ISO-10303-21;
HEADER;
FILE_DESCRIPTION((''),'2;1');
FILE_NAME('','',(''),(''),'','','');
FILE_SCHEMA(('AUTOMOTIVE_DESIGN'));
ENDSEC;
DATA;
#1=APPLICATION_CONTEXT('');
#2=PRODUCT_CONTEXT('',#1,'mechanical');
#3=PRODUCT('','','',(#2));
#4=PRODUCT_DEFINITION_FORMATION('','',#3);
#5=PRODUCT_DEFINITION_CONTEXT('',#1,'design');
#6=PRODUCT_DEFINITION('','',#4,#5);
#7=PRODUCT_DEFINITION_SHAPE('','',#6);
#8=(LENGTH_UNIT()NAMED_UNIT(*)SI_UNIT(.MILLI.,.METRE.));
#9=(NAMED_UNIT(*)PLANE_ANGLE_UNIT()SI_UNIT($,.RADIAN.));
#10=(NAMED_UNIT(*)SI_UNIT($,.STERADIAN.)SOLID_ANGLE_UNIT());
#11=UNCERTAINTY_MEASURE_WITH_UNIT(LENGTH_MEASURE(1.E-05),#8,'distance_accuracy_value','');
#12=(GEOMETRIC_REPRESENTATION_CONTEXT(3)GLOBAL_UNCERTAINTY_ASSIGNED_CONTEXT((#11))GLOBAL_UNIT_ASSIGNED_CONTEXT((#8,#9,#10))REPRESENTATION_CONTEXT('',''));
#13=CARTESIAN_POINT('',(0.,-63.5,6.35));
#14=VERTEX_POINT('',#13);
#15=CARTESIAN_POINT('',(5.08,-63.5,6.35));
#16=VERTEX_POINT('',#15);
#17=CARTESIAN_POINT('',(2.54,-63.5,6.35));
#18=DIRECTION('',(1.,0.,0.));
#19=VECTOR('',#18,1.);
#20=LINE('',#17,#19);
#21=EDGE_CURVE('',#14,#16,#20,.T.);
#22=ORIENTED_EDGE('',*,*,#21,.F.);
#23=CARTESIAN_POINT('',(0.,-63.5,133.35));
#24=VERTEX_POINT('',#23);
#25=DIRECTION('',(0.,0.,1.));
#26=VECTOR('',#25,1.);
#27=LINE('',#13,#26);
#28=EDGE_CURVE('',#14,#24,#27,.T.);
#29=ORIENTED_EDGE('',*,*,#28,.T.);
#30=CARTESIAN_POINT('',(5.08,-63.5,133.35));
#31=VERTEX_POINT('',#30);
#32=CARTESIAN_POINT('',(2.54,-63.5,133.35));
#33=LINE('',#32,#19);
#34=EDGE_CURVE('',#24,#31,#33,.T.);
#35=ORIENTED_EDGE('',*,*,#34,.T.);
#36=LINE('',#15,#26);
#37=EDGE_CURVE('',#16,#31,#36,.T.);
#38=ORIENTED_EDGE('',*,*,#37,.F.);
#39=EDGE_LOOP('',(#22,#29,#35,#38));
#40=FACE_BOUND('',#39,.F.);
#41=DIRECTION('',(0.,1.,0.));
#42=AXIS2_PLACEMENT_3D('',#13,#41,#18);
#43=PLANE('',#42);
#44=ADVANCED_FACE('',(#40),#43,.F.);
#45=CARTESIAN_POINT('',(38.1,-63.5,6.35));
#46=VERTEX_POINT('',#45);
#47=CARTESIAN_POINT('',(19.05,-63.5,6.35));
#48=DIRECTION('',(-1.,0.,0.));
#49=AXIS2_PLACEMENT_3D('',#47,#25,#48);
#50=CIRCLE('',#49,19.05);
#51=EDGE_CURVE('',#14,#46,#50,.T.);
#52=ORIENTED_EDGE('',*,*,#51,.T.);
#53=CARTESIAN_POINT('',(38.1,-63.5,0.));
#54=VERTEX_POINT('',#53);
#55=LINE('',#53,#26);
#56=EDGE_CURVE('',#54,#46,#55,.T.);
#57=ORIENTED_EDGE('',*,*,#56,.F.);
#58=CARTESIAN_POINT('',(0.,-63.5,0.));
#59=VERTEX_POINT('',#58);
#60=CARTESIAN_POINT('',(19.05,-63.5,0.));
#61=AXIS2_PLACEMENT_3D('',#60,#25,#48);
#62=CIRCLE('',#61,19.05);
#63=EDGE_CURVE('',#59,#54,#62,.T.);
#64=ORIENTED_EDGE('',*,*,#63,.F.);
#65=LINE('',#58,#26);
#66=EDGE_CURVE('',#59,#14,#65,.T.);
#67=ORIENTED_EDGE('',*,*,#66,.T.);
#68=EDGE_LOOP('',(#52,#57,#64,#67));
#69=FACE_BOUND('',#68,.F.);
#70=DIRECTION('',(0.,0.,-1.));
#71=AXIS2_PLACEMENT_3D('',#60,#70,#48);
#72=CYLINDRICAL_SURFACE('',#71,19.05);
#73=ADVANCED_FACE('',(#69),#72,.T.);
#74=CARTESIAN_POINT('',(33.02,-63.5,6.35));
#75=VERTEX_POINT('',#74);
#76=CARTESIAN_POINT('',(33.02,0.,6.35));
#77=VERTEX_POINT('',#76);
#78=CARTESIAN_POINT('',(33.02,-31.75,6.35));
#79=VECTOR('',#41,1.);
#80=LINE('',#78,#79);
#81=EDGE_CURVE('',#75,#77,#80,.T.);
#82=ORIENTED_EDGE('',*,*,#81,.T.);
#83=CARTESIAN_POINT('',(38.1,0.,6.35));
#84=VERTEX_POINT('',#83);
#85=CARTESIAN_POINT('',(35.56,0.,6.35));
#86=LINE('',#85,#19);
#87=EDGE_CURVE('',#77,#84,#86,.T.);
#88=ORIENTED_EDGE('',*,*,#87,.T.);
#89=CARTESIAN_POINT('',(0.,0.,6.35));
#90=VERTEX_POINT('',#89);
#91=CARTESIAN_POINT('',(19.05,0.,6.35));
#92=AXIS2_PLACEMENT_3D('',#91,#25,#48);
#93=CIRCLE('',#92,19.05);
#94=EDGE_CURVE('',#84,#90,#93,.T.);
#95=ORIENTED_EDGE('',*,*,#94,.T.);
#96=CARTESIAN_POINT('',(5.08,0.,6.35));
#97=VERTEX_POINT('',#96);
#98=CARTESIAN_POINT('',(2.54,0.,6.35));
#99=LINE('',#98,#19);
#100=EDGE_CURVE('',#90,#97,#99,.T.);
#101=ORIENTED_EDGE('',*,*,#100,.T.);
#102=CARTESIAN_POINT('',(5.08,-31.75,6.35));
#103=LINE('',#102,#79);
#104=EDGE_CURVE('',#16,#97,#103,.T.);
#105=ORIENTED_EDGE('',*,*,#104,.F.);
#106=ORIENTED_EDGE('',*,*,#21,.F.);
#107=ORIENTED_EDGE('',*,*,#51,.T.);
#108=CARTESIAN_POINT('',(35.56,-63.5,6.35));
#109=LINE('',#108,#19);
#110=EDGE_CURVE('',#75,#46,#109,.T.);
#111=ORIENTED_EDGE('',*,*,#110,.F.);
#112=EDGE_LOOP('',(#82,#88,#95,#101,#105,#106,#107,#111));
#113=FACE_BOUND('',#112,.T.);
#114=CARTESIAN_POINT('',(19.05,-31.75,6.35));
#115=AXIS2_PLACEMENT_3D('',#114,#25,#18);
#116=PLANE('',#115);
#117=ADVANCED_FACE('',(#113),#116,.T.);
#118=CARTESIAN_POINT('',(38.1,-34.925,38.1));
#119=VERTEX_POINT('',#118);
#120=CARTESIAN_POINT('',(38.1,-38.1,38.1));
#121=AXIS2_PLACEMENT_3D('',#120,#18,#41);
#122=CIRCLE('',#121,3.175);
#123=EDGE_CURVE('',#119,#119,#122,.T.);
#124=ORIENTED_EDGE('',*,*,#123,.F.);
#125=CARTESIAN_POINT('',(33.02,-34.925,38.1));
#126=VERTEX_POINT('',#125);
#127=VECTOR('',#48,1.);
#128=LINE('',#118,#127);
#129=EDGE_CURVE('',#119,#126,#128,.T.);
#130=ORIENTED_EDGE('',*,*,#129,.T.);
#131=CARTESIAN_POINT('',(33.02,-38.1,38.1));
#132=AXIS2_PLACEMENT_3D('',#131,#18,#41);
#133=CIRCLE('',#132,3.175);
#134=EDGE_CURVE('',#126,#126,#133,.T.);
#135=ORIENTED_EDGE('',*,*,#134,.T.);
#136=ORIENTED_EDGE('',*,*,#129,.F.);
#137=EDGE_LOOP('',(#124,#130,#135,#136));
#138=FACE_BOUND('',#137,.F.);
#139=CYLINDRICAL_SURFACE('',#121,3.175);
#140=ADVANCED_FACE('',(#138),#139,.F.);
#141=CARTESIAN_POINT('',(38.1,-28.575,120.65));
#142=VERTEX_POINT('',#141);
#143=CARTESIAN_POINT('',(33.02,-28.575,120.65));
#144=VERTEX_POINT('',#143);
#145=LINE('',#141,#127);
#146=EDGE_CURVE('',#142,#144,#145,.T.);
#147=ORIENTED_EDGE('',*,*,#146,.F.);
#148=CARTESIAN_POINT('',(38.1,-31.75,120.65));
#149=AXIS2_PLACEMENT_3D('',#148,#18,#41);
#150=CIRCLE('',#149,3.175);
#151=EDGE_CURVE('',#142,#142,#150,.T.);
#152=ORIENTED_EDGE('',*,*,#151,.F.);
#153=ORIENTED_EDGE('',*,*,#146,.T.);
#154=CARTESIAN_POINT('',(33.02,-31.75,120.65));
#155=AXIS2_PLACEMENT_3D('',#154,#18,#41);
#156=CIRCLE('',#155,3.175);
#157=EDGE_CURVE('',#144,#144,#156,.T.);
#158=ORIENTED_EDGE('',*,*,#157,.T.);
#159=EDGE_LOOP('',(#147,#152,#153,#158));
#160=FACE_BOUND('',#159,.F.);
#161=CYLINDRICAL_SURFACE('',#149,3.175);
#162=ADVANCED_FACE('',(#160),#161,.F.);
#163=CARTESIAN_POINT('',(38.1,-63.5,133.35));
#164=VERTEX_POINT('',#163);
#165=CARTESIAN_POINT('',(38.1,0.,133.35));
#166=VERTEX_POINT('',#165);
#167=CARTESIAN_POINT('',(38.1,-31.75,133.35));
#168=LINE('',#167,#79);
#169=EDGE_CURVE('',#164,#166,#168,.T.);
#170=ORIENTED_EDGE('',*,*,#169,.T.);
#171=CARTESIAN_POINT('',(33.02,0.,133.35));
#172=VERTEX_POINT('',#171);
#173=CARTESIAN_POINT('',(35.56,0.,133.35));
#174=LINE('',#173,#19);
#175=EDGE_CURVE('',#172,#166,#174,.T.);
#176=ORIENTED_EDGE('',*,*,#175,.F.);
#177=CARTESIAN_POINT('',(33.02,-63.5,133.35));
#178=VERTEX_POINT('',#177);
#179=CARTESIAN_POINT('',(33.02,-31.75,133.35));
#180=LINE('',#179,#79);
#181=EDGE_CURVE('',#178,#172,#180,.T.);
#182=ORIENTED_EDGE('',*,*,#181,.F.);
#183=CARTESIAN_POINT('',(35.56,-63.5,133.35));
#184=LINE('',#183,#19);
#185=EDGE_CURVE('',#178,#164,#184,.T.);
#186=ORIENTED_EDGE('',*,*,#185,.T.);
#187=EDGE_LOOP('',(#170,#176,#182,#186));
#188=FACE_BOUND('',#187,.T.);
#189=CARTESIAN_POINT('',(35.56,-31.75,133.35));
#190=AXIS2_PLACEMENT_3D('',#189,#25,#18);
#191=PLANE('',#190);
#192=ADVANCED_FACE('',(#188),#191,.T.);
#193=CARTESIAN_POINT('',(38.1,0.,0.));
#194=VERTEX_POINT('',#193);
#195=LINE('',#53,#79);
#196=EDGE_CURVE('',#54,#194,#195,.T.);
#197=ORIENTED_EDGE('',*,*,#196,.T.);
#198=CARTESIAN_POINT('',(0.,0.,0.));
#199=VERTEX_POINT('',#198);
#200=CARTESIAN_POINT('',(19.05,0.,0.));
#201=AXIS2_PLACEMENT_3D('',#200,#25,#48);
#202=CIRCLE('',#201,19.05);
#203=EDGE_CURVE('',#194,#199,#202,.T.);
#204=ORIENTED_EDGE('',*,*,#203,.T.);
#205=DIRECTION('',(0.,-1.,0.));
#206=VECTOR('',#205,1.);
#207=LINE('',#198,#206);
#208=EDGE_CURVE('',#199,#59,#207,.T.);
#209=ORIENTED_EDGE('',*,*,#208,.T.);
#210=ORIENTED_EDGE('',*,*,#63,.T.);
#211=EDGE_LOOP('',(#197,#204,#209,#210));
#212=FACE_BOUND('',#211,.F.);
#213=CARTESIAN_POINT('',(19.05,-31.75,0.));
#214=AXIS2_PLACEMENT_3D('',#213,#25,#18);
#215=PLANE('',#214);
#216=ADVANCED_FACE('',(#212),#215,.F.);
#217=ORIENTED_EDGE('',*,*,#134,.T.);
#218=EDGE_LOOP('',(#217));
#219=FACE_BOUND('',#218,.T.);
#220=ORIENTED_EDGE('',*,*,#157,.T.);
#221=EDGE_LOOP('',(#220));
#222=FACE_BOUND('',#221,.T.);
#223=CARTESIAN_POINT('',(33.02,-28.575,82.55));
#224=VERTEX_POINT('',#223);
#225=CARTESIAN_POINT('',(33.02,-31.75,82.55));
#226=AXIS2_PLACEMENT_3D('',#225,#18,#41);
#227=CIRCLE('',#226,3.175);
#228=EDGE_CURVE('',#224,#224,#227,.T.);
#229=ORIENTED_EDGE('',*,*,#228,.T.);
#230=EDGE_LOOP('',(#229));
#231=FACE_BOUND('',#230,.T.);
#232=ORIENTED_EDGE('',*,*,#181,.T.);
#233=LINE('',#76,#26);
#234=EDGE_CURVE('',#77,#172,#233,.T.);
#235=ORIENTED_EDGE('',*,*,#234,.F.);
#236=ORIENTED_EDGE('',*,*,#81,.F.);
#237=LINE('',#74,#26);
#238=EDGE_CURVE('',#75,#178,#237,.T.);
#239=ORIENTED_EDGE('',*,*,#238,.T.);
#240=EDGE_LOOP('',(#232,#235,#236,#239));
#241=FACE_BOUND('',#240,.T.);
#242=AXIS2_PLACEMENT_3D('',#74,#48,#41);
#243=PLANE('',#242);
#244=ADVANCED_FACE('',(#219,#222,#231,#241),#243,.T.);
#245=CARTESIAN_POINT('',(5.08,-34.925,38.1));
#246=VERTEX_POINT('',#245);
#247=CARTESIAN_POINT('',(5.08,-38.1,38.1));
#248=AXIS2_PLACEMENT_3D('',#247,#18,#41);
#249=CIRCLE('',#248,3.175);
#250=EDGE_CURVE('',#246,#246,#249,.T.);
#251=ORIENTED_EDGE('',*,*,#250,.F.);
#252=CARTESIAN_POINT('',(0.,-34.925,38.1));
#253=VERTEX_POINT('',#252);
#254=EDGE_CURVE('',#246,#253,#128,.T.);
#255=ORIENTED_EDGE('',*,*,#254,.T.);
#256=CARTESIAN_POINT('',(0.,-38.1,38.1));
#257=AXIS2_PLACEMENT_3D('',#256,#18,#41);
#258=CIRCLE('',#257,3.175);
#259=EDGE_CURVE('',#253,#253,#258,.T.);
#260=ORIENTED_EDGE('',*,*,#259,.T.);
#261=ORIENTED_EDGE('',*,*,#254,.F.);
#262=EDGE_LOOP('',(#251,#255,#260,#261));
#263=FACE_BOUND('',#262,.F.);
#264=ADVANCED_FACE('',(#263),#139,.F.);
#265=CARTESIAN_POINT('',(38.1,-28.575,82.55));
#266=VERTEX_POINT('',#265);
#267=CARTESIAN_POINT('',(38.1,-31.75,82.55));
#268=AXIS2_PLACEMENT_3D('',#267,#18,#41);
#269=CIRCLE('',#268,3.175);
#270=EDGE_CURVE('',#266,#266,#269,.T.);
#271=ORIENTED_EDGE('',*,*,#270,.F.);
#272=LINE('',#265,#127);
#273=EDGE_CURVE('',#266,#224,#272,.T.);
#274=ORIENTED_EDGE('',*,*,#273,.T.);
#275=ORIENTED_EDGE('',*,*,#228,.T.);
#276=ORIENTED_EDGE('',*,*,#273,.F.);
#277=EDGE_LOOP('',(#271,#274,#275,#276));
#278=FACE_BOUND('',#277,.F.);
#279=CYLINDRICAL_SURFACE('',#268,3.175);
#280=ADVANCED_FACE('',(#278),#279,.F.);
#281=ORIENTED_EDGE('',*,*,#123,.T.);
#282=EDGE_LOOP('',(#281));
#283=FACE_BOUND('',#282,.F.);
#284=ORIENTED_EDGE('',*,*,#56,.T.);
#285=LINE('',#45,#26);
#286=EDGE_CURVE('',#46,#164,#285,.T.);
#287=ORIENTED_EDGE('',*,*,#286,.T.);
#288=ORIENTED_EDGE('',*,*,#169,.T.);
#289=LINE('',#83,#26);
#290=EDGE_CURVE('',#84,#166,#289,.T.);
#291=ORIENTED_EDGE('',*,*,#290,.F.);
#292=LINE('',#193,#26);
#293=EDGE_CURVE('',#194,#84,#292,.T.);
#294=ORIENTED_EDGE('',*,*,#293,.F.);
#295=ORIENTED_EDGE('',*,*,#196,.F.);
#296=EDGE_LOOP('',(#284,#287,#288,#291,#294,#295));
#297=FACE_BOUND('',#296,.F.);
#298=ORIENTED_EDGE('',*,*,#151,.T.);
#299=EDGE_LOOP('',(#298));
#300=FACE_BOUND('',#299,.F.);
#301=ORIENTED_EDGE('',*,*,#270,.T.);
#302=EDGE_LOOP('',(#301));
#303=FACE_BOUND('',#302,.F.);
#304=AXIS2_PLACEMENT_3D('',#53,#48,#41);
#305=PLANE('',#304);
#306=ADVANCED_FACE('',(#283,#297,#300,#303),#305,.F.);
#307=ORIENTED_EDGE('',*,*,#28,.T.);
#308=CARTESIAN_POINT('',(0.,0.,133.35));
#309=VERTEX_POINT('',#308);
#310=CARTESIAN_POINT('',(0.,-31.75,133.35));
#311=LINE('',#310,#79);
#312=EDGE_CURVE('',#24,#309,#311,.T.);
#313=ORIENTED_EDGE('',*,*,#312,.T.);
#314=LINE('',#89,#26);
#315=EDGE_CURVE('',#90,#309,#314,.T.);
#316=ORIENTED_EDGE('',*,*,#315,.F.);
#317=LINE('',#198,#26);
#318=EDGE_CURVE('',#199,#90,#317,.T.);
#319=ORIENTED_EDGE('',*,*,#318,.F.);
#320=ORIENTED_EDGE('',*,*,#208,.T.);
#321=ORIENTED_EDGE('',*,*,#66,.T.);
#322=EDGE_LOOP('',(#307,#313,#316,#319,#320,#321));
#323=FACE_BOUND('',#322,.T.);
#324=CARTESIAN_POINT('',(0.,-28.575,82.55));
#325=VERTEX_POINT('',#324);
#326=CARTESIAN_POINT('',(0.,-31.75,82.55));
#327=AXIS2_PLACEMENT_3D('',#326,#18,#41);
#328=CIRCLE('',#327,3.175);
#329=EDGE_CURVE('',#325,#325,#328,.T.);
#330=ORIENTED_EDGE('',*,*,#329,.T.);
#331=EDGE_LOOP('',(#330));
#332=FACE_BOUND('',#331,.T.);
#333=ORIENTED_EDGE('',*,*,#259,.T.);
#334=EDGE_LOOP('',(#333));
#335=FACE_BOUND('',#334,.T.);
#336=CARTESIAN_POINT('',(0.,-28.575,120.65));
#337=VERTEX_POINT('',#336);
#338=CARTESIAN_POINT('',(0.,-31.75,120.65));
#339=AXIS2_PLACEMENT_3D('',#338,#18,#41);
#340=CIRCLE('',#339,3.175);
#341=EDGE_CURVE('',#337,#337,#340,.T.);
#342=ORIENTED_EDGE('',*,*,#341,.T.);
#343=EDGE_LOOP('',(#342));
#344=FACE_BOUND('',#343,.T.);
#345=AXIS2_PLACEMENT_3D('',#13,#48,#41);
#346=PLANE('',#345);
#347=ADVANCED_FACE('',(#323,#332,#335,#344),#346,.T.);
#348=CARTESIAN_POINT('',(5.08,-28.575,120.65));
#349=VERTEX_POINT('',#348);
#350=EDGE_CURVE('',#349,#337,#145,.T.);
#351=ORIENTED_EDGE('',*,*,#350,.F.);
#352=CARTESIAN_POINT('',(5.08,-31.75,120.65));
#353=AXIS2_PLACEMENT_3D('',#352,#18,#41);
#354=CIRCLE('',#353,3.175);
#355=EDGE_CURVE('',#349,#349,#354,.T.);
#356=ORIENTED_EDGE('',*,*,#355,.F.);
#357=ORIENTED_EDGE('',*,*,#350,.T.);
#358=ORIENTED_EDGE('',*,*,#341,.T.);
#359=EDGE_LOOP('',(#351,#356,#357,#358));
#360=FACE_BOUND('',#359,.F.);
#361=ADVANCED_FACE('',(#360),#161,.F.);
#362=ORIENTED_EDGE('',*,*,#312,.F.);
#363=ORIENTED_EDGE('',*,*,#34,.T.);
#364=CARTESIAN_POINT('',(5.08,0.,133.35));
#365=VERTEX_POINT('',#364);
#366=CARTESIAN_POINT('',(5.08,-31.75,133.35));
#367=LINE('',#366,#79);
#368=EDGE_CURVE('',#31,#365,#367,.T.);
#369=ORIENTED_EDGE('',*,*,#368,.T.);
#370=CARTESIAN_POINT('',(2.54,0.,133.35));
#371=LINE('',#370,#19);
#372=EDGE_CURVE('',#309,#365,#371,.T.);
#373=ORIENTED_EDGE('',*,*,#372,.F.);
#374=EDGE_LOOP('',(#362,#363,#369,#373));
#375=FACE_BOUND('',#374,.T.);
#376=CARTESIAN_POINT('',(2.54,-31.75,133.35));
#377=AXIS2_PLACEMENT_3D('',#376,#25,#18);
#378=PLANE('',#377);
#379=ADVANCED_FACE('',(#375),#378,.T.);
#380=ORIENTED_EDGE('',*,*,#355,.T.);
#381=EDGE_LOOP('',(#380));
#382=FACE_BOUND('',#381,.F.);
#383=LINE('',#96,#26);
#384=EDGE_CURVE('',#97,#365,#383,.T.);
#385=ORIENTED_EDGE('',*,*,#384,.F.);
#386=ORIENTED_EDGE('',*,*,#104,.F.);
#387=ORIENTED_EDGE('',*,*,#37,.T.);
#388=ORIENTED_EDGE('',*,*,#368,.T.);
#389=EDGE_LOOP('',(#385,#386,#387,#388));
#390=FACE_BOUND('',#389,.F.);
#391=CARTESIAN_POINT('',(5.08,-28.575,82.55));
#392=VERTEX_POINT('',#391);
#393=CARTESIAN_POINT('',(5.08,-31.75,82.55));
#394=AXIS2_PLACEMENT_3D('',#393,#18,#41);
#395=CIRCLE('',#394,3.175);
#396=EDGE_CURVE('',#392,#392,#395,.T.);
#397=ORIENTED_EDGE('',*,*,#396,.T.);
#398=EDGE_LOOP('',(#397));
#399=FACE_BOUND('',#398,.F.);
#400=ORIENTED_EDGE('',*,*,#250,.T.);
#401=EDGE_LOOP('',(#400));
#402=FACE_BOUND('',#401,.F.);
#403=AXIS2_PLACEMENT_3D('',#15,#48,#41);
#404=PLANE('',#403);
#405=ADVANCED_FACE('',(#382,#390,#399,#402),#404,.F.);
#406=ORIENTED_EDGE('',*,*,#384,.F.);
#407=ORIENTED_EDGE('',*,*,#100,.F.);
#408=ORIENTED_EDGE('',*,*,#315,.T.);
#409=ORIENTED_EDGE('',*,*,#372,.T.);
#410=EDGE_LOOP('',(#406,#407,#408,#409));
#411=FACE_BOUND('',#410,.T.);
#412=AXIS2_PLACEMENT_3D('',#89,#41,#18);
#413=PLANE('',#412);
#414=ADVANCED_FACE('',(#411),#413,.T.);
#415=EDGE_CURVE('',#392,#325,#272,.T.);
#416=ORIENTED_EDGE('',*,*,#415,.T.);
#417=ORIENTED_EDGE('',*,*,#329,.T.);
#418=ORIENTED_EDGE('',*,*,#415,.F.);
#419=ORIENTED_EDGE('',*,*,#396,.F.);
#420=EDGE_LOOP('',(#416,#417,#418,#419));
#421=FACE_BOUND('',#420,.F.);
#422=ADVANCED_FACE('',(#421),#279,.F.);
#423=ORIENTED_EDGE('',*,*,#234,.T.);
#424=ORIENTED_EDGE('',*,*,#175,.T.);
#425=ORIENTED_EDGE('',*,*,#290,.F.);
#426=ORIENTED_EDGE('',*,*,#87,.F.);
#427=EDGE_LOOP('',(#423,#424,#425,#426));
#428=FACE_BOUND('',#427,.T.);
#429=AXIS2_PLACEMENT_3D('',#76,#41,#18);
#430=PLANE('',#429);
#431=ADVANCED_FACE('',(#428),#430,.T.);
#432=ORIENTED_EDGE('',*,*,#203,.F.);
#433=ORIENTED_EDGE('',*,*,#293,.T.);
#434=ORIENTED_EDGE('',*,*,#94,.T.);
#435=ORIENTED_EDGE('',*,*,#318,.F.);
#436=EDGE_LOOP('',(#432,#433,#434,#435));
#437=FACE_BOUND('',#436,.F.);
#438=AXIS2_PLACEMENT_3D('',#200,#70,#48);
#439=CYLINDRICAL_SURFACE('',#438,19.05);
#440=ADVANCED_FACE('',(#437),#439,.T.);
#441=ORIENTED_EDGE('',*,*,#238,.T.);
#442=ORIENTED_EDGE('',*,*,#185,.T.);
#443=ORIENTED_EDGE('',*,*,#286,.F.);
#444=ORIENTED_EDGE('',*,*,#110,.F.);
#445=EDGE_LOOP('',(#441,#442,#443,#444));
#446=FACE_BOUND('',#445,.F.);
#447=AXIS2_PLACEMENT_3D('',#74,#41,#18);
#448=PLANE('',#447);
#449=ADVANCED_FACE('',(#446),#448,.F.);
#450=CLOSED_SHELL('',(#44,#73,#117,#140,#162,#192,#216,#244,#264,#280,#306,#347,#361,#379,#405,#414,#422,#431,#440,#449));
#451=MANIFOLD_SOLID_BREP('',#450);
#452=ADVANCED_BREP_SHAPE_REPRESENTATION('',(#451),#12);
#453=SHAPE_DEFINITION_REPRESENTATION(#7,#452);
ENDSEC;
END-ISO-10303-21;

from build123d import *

# Parameters (mm, degrees)
F1_DEPTH = 6.35
F2_W     = 5.08
F2_H     = 63.5
F3_DEPTH = 127
F4_R     = 3.175
F5_DEPTH = 50.8


with BuildPart() as f1:
    # F0 (on Top) → F1 (new body)
    with BuildSketch(Plane.XY):
        with BuildLine():
            ThreePointArc((38.1, 0), (19.05, -19.05), (0, 0))
            Line((0, 0), (0, -63.5))
            ThreePointArc((0, -63.5), (19.05, -44.45), (38.1, -63.5))
            Line((38.1, -63.5), (38.1, 0))
        make_face()
        with BuildLine():
            ThreePointArc((38.1, 0), (19.05, 19.05), (0, 0))
            ThreePointArc((0, 0), (19.05, -19.05), (38.1, 0))
        make_face()
        with BuildLine():
            ThreePointArc((38.1, -63.5), (19.05, -44.45), (0, -63.5))
            ThreePointArc((0, -63.5), (19.05, -82.55), (38.1, -63.5))
        make_face()
    extrude(amount=F1_DEPTH)

    # F2 (on face) → F3 (join)
    with BuildSketch(Plane.XY.offset(6.35)):
        with Locations((2.54, -31.75)):
            Rectangle(F2_W, F2_H)
        with Locations((35.56, -31.75)):
            Rectangle(F2_W, F2_H)
    extrude(amount=F3_DEPTH)

    # F4 (on face) → F5 (cut)
    with BuildSketch(Plane.YZ.offset(38.1)):
        with Locations((-31.75, 120.65)):
            Circle(F4_R)
        with Locations((-31.75, 82.55)):
            Circle(F4_R)
        with Locations((-38.1, 38.1)):
            Circle(F4_R)
    extrude(amount=-F5_DEPTH, mode=Mode.SUBTRACT)


solid = f1.part
